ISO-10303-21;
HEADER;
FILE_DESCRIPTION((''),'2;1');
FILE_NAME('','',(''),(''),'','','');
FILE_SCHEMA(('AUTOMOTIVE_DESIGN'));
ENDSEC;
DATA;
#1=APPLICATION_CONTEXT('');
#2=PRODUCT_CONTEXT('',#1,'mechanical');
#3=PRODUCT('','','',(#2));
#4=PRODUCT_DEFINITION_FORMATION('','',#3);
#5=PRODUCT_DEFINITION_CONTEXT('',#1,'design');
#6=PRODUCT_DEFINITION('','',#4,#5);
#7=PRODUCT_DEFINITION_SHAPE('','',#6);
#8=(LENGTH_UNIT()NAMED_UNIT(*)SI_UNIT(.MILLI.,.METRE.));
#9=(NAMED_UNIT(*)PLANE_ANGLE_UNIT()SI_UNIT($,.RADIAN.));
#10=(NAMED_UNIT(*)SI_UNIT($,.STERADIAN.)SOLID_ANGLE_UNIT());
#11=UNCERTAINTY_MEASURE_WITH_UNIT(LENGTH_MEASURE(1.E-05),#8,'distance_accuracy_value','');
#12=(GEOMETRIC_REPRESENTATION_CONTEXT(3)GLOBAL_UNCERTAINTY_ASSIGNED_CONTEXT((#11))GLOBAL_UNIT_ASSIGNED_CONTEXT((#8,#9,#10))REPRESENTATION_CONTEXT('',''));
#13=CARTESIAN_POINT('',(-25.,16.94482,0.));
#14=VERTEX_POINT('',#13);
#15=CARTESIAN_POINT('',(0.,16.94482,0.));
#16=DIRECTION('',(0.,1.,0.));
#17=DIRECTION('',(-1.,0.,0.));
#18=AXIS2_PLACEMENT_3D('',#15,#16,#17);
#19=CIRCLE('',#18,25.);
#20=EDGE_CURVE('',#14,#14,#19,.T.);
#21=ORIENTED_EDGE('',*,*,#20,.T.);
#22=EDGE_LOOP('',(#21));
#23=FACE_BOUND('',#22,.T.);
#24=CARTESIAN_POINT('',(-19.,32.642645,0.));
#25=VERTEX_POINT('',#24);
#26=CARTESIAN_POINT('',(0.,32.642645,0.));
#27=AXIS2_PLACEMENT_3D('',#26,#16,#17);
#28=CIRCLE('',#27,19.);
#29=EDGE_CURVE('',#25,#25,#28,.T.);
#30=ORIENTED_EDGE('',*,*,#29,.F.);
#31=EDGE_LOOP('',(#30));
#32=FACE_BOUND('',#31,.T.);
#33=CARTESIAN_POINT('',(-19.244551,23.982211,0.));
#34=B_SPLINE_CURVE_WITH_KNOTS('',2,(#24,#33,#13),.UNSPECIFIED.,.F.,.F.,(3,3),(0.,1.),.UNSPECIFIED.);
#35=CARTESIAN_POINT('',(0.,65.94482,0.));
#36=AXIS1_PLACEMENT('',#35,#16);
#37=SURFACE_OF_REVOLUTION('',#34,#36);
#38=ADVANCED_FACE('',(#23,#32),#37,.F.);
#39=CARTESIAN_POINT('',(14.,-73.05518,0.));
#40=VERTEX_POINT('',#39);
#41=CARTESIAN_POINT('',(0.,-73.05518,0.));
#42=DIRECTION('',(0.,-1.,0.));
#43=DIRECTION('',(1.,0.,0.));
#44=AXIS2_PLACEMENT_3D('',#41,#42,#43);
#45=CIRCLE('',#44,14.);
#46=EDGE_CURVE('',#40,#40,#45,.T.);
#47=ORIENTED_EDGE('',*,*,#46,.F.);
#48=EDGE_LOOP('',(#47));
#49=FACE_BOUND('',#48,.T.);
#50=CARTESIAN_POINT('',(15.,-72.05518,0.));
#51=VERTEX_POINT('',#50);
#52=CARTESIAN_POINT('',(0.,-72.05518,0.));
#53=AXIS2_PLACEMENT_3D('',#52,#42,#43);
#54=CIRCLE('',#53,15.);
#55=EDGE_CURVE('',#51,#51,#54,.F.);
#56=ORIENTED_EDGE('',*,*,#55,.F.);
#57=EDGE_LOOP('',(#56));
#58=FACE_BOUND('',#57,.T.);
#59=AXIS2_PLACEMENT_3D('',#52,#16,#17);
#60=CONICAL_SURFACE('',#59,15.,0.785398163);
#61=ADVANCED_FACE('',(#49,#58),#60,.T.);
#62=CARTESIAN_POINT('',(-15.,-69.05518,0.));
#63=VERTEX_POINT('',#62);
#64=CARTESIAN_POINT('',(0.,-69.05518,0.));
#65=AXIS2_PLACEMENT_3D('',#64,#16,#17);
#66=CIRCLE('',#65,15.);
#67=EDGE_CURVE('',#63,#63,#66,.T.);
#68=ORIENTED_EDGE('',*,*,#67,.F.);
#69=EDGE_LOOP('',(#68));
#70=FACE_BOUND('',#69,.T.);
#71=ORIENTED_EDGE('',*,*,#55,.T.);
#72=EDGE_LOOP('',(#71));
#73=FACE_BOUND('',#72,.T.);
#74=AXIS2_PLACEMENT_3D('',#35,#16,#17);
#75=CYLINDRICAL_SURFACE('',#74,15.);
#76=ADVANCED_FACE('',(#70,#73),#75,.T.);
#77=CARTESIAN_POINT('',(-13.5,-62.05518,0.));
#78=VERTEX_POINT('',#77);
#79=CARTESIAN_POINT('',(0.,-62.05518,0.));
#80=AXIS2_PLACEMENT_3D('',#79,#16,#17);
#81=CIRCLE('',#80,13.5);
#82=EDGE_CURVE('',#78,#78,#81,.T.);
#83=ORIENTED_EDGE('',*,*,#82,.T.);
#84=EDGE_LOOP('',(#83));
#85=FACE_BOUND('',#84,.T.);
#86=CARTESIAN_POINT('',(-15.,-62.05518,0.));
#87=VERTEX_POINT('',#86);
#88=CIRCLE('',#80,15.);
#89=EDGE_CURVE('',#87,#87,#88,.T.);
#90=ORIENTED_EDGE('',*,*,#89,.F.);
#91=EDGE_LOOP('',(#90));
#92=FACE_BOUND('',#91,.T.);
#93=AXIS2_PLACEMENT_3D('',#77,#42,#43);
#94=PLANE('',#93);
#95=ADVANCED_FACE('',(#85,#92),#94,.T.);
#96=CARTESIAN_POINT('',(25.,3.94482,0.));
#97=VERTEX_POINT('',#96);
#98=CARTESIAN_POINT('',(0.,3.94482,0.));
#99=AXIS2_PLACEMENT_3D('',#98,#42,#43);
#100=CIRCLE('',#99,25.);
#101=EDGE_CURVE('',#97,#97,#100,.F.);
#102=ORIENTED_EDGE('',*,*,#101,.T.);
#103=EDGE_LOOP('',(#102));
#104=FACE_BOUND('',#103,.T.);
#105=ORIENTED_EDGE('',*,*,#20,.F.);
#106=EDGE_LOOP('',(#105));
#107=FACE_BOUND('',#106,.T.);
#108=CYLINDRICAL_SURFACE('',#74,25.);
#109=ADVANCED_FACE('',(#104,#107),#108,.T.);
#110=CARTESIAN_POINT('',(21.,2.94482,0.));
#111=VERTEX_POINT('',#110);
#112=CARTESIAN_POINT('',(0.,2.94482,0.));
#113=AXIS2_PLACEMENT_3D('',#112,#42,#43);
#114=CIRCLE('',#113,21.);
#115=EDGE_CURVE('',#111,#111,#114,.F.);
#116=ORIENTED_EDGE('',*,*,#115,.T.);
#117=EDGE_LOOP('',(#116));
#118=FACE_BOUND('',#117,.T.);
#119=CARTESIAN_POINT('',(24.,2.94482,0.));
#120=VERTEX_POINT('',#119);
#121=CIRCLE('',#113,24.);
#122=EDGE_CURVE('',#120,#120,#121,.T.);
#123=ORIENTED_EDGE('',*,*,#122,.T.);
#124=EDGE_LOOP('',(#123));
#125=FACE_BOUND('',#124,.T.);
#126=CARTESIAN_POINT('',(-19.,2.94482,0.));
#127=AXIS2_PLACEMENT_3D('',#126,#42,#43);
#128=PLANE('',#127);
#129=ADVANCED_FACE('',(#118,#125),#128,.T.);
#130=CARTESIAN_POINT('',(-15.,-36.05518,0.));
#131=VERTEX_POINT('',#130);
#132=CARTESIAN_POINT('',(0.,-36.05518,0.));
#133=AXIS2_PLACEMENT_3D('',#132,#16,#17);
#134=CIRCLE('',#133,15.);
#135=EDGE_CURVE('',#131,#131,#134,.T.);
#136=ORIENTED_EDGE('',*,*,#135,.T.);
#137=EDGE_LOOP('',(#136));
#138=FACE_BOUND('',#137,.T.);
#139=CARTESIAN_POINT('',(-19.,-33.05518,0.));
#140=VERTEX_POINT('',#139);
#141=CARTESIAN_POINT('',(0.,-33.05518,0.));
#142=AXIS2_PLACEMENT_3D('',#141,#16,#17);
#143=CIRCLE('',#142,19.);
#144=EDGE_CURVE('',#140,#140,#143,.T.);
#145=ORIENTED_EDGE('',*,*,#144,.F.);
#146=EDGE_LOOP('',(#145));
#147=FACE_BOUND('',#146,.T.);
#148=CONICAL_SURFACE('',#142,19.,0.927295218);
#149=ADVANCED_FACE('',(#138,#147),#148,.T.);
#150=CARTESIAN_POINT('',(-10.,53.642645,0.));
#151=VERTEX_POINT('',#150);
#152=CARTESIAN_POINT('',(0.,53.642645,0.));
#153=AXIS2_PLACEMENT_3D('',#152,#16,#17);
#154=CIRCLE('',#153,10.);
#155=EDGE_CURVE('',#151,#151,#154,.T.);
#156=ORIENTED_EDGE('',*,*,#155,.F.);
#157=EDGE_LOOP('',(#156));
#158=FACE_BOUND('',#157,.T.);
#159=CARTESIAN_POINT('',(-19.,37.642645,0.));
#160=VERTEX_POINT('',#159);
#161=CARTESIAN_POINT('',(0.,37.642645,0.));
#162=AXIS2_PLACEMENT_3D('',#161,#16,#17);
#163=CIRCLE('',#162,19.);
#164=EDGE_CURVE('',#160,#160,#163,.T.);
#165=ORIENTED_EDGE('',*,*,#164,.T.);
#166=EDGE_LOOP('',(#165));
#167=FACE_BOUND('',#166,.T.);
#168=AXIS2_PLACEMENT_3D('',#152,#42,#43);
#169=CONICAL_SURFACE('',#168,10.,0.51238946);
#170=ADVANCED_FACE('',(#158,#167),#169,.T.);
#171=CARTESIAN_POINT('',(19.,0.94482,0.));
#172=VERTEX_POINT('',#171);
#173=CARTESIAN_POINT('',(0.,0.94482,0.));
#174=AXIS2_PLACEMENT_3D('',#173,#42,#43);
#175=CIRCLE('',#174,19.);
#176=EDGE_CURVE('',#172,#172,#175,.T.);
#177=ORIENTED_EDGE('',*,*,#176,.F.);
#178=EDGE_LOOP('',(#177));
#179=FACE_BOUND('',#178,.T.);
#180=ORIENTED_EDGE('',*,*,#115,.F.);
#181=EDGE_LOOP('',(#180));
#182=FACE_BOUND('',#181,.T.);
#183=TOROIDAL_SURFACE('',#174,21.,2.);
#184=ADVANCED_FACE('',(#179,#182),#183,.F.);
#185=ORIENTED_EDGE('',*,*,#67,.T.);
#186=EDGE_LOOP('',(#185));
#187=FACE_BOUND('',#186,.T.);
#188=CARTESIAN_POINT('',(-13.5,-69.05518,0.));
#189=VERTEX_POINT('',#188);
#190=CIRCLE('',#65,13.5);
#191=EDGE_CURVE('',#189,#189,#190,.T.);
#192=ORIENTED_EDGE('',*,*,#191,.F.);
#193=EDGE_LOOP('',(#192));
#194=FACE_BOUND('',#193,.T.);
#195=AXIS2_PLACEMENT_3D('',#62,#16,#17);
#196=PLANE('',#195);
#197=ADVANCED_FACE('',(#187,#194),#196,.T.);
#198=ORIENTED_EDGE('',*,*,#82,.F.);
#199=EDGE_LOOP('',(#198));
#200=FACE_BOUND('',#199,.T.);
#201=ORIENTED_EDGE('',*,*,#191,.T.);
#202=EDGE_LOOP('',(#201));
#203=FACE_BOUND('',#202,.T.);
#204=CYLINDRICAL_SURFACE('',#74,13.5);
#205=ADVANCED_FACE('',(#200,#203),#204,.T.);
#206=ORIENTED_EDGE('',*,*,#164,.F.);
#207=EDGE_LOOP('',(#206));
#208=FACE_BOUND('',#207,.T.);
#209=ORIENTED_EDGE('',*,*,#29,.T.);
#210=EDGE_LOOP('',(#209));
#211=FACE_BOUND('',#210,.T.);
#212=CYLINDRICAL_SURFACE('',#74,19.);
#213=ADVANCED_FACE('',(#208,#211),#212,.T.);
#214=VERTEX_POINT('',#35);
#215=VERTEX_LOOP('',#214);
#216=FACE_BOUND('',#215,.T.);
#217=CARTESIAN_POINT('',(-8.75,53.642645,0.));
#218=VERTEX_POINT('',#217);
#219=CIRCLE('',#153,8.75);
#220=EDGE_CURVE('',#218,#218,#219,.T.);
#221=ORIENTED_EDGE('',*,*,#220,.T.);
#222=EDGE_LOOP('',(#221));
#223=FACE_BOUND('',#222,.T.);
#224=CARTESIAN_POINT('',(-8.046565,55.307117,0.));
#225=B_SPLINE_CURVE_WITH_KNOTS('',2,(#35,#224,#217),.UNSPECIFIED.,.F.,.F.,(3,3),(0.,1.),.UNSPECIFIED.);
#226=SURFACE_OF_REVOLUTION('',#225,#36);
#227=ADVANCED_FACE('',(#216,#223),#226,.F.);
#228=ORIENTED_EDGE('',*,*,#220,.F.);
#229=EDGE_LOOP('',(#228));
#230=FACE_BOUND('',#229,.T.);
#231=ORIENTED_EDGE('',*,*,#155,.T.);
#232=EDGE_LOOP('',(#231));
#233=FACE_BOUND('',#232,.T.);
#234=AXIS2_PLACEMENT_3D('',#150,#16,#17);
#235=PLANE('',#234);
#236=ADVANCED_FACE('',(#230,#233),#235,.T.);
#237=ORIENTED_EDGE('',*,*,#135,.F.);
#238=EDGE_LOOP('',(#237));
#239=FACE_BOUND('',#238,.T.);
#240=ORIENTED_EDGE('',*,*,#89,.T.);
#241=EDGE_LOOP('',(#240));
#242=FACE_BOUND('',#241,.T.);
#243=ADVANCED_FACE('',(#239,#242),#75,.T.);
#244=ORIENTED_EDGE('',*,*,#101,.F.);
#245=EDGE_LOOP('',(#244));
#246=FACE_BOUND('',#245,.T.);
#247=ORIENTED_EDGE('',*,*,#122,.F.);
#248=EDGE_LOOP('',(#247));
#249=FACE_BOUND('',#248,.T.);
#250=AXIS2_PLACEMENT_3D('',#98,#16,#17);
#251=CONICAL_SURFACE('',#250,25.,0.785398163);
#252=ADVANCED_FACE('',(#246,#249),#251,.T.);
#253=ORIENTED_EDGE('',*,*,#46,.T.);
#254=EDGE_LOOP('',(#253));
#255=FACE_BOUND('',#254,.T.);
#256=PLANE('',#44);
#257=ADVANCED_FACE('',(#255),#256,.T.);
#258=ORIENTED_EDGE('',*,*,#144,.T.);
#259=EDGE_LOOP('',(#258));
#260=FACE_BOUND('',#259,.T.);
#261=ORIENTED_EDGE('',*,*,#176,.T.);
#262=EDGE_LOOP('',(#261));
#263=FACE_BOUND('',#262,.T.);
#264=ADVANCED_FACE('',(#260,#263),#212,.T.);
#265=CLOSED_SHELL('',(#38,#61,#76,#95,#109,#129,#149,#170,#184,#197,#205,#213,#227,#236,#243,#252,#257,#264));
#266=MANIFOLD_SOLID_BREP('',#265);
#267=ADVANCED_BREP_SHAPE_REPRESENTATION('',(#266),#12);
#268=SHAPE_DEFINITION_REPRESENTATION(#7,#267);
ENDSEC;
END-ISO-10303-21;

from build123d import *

# Parameters (mm, degrees)
CHANFREIN1_SIZE = 1
CONG_1_R        = 2
CHANFREIN2_SIZE = 1


with BuildPart() as part:
    # Esquisse1 → Révolution1 (revolve)
    with BuildSketch(Plane.XY):
        with BuildLine():
            Line((0, -73.055180274), (-15, -73.055180274))
            Line((-15, -73.055180274), (-15, -69.055180274))
            Line((-15, -69.055180274), (-13.5, -69.055180274))
            Line((-13.5, -69.055180274), (-13.5, -62.055180274))
            Line((-13.5, -62.055180274), (-15, -62.055180274))
            Line((-15, -62.055180274), (-15, -36.055180274))
            Line((-15, -36.055180274), (-19, -33.055180274))
            Line((-19, -33.055180274), (-19, 2.944819726))
            Line((-19, 2.944819726), (-25, 2.944819726))
            Line((-25, 2.944819726), (-25, 16.944819726))
            add(Edge.make_bspline(
                [(-25, 16.944819726), (-19.244550807, 23.982210742), (-19, 32.642645103)],
                knots=[0, 0, 0, 1, 1, 1], degree=2))
            Line((-19, 32.642645103), (-19, 37.642645103))
            Line((-19, 37.642645103), (-10, 53.642645103))
            Line((-10, 53.642645103), (-8.75, 53.642645103))
            add(Edge.make_bspline(
                [(-8.75, 53.642645103), (-8.046565442, 55.307116929), (0, 65.944819726)],
                knots=[0, 0, 0, 1, 1, 1], degree=2))
            Line((0, 65.944819726), (0, -73.055180274))
        make_face()
    revolve(axis=Axis((0, 65.944819726, 0), (0, -1, 0)))

    # Chanfrein1
    chanfrein1_edges = [part.edges().sort_by_distance(p)[0] for p in [
        (25, 2.944819726, 0),
    ]]
    chamfer(chanfrein1_edges, length=CHANFREIN1_SIZE)

    # Congé1
    cong_1_edges = [part.edges().sort_by_distance(p)[0] for p in [
        (19, 2.944819726, 0),
    ]]
    fillet(cong_1_edges, radius=CONG_1_R)

    # Chanfrein2
    chanfrein2_edges = [part.edges().sort_by_distance(p)[0] for p in [
        (15, -73.055180274, 0),
    ]]
    chamfer(chanfrein2_edges, length=CHANFREIN2_SIZE)


solid = part.part
